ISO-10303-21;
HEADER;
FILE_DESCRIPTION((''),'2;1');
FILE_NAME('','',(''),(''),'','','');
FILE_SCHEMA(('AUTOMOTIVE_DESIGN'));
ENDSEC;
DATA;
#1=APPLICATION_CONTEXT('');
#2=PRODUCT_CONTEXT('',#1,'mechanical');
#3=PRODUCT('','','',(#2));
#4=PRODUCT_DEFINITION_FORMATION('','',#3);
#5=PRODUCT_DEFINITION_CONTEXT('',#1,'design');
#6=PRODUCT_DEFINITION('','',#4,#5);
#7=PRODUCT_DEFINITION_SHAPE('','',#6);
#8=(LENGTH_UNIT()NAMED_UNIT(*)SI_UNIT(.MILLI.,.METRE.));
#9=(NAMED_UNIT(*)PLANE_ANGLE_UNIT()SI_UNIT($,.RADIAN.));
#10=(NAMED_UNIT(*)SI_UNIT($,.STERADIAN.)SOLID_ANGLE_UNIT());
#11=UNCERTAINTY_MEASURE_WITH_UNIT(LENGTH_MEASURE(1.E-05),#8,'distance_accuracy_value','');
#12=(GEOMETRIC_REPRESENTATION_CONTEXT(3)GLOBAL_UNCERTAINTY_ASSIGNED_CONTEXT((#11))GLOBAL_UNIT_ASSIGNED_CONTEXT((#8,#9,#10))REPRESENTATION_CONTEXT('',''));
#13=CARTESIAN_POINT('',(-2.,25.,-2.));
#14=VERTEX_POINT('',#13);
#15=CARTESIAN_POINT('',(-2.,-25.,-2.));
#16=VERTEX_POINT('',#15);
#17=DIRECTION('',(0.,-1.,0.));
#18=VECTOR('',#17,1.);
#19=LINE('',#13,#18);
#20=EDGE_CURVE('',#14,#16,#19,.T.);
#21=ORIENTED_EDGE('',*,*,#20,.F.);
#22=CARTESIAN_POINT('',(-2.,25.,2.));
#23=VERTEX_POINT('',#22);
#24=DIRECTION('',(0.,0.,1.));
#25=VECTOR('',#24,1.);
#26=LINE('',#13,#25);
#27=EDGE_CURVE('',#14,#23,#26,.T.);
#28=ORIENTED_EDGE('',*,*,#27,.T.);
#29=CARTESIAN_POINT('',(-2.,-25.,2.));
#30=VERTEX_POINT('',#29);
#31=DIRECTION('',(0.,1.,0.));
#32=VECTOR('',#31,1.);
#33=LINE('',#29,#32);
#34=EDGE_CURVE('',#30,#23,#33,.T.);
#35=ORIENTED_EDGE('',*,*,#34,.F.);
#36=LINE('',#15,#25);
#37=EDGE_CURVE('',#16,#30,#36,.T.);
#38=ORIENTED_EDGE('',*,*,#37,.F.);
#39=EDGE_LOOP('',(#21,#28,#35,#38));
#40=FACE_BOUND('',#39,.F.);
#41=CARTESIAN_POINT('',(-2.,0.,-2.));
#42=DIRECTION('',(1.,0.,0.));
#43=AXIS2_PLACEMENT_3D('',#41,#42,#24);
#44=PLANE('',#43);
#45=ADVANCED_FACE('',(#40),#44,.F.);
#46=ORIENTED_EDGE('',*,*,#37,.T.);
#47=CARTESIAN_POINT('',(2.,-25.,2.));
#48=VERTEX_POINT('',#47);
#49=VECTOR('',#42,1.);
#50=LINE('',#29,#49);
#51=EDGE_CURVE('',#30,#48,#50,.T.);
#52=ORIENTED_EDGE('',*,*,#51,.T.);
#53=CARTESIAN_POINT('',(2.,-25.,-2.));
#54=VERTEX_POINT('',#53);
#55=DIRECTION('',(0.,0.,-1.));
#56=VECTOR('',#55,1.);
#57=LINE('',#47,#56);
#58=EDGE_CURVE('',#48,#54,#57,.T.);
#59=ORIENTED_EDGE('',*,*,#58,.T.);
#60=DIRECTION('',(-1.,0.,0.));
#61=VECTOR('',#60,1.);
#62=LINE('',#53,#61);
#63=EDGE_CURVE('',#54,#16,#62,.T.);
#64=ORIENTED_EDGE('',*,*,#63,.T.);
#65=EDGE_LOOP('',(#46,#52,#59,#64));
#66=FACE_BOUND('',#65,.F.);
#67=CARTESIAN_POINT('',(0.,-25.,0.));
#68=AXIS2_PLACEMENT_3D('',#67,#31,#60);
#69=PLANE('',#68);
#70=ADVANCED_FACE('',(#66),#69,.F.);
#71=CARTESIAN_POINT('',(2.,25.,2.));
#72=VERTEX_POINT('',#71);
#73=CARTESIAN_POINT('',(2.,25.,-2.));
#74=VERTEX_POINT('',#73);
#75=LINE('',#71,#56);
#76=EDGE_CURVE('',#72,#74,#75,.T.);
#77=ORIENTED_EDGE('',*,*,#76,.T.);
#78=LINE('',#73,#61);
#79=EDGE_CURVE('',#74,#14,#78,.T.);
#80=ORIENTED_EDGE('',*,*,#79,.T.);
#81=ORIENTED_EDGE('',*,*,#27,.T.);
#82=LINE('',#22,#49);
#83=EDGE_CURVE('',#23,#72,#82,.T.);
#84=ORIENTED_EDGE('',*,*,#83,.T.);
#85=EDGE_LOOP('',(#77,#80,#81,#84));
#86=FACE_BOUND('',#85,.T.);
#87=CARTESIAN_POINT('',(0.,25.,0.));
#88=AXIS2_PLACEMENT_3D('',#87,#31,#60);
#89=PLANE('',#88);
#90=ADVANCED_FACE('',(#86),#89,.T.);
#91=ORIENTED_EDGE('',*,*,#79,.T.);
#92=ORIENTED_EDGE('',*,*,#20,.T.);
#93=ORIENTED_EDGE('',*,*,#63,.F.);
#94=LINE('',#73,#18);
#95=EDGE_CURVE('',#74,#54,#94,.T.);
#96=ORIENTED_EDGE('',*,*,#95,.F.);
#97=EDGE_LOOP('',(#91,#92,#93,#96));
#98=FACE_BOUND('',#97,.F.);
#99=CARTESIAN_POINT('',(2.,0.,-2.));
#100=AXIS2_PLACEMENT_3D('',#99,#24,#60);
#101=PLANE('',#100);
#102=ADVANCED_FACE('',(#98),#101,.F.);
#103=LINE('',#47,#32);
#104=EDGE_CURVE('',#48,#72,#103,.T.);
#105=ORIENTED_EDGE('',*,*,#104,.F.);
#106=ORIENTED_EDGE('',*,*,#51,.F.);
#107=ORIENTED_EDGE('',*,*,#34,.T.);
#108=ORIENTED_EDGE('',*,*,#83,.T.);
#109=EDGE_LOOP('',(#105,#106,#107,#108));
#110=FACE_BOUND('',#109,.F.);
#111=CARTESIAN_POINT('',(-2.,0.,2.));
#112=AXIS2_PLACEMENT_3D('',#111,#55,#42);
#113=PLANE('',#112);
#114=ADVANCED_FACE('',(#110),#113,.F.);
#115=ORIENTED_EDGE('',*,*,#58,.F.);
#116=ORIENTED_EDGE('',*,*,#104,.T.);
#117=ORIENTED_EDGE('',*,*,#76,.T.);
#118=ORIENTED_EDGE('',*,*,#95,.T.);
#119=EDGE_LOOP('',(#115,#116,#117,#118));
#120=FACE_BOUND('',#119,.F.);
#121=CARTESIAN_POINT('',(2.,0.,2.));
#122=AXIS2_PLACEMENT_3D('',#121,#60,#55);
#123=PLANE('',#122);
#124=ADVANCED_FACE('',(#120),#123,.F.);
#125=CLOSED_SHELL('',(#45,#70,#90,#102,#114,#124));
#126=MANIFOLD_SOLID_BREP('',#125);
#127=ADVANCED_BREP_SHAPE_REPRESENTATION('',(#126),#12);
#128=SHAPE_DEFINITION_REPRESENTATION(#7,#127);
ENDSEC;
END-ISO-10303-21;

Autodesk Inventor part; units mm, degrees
ref_plane "YZ Plane" through (0, 0, 0) normal (1, 0, 0) x (0, 1, 0)
ref_plane "XZ Plane" through (0, 0, 0) normal (0, 1, 0) x (-1, 0, 0)
ref_plane "XY Plane" through (0, 0, 0) normal (0, 0, 1) x (1, 0, 0)
sketch "スケッチ1" plane through (0, 0, 0) normal (0, 0, 1) x (1, 0, 0)
  point P0 (0, 0)
sketch "スケッチ2" plane through (0, 0, 0) normal (0, 1, 0) x (-1, 0, 0)
  line L0 (2, 2) -> (-2, 2)
  line L1 (-2, 2) -> (-2, -2)
  line L2 (-2, -2) -> (2, -2)
  line L3 (2, -2) -> (2, 2)
  line L4 (2, 2) -> (-2, -2) construction
  line L5 (-2, 2) -> (2, -2) construction
  point P0 (0, 0)
  dimension "d0" = 4
  dimension "d1" = 4
extrude "押し出し1" add sketch "スケッチ2" along normal mid plane 50
properties part number "loadstick"
